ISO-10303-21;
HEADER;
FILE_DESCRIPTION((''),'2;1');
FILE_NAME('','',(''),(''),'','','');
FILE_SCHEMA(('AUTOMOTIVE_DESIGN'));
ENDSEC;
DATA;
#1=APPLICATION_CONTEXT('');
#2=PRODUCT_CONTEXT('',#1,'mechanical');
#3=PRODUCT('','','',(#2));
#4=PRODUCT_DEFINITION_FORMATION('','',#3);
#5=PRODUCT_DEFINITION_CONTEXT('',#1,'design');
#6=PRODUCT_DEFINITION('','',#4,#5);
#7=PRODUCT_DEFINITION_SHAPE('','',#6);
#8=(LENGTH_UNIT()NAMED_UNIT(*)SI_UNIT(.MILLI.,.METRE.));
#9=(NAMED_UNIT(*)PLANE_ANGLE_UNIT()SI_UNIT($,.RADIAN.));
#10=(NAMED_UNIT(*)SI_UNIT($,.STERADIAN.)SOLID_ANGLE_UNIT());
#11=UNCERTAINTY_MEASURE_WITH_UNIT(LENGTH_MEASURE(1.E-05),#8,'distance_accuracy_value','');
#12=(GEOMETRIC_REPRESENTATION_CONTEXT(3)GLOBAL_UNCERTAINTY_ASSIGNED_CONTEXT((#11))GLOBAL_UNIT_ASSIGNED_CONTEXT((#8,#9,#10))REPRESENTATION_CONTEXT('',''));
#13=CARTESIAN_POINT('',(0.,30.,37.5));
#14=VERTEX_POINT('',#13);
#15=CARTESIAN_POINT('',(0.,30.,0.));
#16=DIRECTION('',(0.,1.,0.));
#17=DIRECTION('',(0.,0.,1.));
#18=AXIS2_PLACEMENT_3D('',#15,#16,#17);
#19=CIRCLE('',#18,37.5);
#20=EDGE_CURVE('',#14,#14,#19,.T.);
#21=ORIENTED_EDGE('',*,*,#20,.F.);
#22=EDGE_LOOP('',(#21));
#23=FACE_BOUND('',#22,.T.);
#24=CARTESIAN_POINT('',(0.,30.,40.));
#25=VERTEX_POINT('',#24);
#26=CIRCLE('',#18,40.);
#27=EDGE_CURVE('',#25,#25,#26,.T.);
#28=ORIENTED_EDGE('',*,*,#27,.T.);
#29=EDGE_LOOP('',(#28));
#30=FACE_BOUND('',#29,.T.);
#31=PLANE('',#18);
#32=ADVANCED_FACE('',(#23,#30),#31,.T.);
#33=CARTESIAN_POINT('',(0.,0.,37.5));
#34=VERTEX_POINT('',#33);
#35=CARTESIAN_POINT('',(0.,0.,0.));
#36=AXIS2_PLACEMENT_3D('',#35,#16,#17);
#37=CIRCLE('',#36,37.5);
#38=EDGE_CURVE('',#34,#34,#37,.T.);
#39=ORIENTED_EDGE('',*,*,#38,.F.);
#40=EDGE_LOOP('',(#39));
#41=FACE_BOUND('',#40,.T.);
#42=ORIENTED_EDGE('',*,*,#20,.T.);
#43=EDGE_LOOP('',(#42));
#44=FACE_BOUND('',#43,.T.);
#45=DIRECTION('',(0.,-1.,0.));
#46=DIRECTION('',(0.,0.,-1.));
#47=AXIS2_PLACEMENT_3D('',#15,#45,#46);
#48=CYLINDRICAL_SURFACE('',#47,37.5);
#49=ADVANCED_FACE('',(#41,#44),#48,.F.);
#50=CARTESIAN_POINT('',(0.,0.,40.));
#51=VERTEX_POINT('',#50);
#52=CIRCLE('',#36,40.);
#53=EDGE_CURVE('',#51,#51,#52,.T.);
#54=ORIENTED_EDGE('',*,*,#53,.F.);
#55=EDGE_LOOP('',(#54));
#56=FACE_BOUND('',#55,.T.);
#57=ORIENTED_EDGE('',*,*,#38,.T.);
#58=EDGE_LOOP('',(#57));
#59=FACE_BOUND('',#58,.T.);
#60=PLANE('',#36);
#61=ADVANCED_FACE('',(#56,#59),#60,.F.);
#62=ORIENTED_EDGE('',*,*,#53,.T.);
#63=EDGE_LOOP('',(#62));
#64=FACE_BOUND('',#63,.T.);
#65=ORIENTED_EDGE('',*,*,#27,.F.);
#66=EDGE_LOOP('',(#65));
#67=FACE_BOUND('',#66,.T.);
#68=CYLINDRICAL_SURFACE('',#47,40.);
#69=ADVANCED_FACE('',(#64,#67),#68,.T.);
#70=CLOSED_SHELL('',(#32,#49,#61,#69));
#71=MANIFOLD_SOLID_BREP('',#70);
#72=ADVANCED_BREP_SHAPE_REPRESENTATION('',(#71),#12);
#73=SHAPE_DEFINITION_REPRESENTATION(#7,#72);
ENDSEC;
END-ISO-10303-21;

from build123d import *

# Parameters (mm, degrees)
CROQUIS2_R              = 40
CROQUIS2_R_2            = 37.5
SALIENTE_EXTRUIR1_DEPTH = 30


with BuildPart() as part:
    # Croquis2 → Saliente-Extruir1 (new body)
    with BuildSketch(Plane(origin=(0, 0, 0), x_dir=(1, 0, 0), z_dir=(0, 1, 0))):
        Circle(CROQUIS2_R)
        Circle(CROQUIS2_R_2, mode=Mode.SUBTRACT)
    extrude(amount=SALIENTE_EXTRUIR1_DEPTH)


solid = part.part
